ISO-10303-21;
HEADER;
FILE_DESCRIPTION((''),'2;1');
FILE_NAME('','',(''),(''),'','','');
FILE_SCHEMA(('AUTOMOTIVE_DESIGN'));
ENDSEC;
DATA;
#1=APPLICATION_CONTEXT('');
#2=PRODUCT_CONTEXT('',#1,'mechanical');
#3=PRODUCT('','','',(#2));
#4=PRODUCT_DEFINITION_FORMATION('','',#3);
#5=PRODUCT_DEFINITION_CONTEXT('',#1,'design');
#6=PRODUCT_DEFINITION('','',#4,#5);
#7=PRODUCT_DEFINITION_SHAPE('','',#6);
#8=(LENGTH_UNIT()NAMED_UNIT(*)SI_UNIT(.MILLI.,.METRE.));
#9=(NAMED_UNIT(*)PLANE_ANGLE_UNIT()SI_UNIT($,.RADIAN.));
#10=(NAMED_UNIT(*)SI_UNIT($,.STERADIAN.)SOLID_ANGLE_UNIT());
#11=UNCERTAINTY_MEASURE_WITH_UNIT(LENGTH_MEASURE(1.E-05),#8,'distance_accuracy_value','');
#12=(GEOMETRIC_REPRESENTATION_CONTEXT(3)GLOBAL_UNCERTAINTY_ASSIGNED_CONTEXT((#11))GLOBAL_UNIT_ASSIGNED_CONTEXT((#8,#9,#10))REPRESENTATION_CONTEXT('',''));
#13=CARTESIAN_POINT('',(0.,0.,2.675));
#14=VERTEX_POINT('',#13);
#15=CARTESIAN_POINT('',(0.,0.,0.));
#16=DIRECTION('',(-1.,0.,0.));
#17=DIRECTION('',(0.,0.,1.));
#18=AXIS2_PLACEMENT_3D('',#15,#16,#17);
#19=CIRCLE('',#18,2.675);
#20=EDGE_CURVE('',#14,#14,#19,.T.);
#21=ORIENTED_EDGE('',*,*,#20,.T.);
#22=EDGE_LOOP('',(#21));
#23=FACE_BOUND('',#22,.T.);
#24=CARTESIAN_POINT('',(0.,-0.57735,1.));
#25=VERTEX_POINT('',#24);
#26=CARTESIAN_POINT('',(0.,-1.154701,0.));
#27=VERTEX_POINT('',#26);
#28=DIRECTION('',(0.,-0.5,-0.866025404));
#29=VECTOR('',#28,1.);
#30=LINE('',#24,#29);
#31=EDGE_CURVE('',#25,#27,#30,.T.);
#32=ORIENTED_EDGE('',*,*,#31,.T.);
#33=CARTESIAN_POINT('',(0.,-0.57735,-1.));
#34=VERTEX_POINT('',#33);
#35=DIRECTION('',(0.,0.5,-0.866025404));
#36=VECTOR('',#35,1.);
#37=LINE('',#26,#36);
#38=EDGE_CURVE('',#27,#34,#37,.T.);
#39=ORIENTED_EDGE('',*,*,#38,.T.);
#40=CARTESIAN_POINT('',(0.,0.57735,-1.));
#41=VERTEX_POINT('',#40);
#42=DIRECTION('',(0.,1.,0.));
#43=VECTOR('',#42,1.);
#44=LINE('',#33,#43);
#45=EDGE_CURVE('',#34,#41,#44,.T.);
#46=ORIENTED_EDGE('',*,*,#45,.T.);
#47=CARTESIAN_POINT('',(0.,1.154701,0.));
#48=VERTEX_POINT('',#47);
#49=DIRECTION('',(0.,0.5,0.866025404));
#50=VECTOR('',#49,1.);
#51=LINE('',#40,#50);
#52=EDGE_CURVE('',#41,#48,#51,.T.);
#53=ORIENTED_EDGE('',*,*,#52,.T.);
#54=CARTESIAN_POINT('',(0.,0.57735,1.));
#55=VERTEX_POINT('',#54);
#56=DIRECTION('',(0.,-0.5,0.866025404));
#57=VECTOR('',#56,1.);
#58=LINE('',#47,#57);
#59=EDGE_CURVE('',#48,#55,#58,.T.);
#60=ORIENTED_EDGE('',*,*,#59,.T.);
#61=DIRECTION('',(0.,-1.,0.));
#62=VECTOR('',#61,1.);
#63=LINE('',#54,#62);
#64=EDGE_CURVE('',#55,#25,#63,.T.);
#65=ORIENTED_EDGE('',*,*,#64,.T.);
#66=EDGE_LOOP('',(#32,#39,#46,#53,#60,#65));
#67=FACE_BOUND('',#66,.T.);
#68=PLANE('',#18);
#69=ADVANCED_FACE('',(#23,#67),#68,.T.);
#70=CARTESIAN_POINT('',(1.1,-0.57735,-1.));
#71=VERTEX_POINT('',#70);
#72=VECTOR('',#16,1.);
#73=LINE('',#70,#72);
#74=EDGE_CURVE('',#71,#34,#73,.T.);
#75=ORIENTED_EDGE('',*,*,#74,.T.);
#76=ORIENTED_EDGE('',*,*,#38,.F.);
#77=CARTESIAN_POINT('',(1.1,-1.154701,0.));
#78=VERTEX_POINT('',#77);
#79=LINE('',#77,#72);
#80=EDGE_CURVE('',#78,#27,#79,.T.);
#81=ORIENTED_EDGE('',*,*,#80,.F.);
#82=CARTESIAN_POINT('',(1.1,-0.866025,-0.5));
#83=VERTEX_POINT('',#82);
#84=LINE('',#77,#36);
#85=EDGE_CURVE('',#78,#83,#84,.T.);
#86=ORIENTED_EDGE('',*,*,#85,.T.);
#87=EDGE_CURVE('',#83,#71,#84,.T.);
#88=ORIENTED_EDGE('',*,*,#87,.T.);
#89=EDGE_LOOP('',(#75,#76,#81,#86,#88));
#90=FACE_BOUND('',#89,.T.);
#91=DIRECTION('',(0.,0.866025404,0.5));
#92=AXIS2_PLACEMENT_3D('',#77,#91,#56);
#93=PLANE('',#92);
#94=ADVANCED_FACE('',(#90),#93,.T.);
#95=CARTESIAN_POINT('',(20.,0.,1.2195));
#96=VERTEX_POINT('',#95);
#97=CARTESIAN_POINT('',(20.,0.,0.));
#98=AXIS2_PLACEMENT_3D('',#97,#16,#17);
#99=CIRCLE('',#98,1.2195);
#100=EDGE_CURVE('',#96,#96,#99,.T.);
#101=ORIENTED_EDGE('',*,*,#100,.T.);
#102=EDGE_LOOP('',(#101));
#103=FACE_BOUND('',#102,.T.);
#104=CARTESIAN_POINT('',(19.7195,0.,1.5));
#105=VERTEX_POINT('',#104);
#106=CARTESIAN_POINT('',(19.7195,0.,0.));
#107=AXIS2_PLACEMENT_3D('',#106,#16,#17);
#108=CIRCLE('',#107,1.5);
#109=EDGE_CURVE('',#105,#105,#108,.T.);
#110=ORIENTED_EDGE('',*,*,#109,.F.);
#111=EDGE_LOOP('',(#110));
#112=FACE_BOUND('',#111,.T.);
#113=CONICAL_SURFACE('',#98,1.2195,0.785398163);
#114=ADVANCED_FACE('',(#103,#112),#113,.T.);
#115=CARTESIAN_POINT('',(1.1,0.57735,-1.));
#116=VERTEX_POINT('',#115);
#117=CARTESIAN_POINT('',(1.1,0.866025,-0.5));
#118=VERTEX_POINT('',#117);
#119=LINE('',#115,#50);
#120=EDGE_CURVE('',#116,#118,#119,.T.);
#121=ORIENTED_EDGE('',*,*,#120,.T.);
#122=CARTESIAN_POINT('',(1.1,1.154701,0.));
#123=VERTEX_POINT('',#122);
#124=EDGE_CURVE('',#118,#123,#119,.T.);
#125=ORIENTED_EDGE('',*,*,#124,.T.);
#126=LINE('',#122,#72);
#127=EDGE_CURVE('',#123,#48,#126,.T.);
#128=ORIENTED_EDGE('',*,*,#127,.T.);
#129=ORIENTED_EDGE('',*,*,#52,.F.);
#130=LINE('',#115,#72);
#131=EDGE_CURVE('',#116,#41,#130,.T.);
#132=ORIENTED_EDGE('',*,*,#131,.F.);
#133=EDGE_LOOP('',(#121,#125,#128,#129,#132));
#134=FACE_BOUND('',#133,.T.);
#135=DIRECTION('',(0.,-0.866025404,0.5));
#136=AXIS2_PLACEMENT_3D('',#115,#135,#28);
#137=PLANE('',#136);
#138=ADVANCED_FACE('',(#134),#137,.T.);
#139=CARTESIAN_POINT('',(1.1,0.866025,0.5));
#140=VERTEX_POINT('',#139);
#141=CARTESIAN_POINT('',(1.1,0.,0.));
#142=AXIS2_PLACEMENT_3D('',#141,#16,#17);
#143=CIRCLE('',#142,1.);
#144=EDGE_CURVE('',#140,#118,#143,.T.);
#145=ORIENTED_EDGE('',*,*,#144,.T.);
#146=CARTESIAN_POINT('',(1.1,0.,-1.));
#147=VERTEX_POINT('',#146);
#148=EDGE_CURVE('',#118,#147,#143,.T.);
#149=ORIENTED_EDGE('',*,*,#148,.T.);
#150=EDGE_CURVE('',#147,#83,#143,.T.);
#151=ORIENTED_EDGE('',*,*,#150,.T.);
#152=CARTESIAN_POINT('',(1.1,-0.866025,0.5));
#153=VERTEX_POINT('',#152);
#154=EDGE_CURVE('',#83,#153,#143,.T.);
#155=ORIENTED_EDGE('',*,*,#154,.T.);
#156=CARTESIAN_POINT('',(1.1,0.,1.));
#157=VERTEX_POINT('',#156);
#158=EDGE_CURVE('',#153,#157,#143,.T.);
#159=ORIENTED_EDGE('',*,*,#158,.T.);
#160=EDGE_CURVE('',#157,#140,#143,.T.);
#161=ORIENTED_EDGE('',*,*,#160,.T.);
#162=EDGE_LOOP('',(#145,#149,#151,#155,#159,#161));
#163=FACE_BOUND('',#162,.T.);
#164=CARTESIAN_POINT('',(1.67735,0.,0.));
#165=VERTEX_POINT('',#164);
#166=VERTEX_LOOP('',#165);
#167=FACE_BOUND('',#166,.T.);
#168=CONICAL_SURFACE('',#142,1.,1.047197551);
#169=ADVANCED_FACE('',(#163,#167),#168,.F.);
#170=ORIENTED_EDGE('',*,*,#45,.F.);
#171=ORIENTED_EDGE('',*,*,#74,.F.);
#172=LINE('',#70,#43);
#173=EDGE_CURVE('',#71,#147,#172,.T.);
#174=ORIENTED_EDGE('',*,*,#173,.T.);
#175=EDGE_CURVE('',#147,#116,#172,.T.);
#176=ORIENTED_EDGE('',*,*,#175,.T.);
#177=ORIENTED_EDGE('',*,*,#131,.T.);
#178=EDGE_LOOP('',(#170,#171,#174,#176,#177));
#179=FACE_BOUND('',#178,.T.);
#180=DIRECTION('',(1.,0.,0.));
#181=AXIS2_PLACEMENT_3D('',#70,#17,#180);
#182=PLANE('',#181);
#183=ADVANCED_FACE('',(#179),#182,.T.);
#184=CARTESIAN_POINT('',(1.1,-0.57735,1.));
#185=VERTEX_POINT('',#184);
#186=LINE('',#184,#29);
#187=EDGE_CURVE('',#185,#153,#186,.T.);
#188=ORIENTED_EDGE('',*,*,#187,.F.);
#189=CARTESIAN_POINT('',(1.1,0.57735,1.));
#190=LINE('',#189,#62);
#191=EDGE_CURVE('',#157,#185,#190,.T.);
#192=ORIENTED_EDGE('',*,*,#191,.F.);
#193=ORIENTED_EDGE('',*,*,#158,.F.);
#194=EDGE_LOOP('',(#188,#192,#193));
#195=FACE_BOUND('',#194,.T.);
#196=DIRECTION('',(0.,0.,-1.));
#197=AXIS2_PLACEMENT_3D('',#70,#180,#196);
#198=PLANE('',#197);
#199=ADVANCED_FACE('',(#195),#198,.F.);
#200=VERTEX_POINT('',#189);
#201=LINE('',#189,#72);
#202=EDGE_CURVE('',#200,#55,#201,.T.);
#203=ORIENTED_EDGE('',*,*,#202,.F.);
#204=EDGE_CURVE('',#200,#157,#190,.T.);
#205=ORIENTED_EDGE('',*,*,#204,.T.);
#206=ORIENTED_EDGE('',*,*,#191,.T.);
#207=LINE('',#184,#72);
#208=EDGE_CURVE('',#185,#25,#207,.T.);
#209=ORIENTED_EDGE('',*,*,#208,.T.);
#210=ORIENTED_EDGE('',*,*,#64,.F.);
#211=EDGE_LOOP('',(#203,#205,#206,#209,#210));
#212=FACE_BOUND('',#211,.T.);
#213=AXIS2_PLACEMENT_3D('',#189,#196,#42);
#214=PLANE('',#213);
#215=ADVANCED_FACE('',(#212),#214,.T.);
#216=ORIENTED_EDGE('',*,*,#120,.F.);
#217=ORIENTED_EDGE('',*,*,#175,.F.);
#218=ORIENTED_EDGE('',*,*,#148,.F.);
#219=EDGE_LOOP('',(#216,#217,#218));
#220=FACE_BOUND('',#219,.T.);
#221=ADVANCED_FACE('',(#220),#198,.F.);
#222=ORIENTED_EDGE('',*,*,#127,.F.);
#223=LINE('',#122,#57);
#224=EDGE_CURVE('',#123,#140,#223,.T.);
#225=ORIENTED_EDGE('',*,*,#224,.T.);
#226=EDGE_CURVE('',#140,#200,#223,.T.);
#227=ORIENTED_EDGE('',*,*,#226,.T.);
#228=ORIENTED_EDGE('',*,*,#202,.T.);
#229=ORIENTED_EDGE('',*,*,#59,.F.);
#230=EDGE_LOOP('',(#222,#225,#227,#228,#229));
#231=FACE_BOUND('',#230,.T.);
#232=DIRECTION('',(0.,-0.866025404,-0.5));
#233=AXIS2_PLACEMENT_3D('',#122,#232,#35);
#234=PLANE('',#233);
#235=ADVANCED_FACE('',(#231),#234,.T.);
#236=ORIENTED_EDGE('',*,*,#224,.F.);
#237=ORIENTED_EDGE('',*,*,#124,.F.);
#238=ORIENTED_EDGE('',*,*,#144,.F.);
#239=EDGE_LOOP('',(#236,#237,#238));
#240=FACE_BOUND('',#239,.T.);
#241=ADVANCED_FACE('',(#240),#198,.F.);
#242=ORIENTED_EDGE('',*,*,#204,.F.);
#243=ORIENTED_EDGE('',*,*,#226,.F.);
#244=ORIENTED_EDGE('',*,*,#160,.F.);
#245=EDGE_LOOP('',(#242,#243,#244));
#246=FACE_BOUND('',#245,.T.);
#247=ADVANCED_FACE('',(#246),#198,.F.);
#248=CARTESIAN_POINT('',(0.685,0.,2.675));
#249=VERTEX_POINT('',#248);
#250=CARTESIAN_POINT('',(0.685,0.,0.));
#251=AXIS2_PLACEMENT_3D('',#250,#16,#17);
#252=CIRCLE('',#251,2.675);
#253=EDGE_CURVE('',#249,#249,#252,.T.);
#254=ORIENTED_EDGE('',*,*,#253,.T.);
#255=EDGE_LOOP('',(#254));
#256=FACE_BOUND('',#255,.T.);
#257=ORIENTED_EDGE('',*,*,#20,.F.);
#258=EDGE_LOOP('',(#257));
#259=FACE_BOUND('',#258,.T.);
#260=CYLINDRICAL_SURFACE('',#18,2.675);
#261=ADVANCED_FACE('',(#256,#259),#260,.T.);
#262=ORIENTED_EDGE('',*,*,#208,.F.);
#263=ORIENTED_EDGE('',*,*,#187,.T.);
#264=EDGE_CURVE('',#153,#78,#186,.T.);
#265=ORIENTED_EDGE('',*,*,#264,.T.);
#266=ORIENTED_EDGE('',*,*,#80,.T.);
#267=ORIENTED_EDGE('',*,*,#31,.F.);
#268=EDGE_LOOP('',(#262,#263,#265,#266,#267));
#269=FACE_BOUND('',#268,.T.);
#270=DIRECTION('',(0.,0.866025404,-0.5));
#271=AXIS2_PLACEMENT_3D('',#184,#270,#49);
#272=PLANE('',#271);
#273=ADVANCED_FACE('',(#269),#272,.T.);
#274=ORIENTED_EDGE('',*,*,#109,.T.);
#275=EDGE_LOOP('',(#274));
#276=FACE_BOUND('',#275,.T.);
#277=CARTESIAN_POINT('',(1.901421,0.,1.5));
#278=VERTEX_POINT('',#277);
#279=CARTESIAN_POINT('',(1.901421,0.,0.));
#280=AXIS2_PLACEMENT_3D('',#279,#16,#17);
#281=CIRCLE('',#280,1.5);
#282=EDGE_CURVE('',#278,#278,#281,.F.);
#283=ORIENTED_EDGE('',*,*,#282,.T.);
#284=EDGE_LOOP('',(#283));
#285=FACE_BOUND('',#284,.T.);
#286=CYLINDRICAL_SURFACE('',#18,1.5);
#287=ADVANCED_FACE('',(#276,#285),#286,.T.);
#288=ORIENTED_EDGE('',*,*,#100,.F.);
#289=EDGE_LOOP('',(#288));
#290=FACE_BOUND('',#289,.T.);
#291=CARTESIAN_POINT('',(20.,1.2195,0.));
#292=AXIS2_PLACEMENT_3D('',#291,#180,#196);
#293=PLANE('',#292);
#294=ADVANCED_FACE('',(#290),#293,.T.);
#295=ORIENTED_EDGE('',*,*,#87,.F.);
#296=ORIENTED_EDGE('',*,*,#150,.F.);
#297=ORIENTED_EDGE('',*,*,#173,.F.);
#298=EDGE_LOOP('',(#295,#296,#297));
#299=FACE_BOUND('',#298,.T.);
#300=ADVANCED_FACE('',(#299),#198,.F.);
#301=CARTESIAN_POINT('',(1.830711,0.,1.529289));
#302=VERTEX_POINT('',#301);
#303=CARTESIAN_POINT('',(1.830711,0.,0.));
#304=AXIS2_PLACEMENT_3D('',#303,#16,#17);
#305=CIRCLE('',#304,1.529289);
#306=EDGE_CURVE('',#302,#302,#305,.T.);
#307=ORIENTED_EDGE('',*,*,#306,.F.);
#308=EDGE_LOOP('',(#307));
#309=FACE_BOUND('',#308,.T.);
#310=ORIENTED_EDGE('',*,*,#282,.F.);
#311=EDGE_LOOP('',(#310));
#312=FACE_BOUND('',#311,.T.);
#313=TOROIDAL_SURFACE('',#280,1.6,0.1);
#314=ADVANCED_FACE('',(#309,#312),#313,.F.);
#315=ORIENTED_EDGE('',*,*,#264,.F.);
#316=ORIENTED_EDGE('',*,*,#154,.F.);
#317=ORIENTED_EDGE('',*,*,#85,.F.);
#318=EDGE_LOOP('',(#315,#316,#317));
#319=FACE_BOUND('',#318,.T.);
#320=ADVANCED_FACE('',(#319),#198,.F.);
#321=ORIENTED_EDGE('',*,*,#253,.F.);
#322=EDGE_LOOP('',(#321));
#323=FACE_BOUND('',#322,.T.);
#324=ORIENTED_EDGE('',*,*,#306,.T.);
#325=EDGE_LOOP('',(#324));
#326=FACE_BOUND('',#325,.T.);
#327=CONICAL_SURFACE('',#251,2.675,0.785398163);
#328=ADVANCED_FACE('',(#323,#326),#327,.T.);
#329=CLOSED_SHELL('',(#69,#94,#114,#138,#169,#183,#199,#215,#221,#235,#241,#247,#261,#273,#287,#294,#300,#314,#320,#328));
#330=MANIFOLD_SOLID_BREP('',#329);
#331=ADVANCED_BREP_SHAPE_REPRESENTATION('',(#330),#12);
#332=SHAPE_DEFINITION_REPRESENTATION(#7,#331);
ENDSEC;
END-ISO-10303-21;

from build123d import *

# Parameters (mm, degrees)
FILLET1_R   = 0.1
HEX_2_DEPTH = 1.1


with BuildPart() as part:
    # BodySke → BaseBody (revolve)
    with BuildSketch(Plane.XY):
        Polygon((0, 0), (0, 2.675), (0.685, 2.675), (1.86, 1.5), (19.7195, 1.5), (20, 1.2195), (20, 0), align=None)
    revolve(axis=Axis((0, 0, 0), (1, 0, 0)))

    # Fillet1
    fillet1_edges = [part.edges().sort_by_distance(p)[0] for p in [
        (1.86, -1.5, 0),
    ]]
    fillet(fillet1_edges, radius=FILLET1_R)

    # Sketch2 → PreBroach (revolve, cut)
    with BuildSketch(Plane.XY):
        Polygon((0, 1), (1.1, 1), (1.677350269, 0), (0, 0), align=None)
    revolve(axis=Axis((0, 0, 0), (1, 0, 0)), mode=Mode.SUBTRACT)

    # Sketch3 → Hex 2 (cut)
    with BuildSketch(Plane.ZY):
        Polygon((-1, -0.577350269), (-1, 0.577350269), (0, 1.154700538), (1, 0.577350269), (1, -0.577350269), (0, -1.154700538), align=None)
    extrude(amount=-HEX_2_DEPTH, mode=Mode.SUBTRACT)


solid = part.part
